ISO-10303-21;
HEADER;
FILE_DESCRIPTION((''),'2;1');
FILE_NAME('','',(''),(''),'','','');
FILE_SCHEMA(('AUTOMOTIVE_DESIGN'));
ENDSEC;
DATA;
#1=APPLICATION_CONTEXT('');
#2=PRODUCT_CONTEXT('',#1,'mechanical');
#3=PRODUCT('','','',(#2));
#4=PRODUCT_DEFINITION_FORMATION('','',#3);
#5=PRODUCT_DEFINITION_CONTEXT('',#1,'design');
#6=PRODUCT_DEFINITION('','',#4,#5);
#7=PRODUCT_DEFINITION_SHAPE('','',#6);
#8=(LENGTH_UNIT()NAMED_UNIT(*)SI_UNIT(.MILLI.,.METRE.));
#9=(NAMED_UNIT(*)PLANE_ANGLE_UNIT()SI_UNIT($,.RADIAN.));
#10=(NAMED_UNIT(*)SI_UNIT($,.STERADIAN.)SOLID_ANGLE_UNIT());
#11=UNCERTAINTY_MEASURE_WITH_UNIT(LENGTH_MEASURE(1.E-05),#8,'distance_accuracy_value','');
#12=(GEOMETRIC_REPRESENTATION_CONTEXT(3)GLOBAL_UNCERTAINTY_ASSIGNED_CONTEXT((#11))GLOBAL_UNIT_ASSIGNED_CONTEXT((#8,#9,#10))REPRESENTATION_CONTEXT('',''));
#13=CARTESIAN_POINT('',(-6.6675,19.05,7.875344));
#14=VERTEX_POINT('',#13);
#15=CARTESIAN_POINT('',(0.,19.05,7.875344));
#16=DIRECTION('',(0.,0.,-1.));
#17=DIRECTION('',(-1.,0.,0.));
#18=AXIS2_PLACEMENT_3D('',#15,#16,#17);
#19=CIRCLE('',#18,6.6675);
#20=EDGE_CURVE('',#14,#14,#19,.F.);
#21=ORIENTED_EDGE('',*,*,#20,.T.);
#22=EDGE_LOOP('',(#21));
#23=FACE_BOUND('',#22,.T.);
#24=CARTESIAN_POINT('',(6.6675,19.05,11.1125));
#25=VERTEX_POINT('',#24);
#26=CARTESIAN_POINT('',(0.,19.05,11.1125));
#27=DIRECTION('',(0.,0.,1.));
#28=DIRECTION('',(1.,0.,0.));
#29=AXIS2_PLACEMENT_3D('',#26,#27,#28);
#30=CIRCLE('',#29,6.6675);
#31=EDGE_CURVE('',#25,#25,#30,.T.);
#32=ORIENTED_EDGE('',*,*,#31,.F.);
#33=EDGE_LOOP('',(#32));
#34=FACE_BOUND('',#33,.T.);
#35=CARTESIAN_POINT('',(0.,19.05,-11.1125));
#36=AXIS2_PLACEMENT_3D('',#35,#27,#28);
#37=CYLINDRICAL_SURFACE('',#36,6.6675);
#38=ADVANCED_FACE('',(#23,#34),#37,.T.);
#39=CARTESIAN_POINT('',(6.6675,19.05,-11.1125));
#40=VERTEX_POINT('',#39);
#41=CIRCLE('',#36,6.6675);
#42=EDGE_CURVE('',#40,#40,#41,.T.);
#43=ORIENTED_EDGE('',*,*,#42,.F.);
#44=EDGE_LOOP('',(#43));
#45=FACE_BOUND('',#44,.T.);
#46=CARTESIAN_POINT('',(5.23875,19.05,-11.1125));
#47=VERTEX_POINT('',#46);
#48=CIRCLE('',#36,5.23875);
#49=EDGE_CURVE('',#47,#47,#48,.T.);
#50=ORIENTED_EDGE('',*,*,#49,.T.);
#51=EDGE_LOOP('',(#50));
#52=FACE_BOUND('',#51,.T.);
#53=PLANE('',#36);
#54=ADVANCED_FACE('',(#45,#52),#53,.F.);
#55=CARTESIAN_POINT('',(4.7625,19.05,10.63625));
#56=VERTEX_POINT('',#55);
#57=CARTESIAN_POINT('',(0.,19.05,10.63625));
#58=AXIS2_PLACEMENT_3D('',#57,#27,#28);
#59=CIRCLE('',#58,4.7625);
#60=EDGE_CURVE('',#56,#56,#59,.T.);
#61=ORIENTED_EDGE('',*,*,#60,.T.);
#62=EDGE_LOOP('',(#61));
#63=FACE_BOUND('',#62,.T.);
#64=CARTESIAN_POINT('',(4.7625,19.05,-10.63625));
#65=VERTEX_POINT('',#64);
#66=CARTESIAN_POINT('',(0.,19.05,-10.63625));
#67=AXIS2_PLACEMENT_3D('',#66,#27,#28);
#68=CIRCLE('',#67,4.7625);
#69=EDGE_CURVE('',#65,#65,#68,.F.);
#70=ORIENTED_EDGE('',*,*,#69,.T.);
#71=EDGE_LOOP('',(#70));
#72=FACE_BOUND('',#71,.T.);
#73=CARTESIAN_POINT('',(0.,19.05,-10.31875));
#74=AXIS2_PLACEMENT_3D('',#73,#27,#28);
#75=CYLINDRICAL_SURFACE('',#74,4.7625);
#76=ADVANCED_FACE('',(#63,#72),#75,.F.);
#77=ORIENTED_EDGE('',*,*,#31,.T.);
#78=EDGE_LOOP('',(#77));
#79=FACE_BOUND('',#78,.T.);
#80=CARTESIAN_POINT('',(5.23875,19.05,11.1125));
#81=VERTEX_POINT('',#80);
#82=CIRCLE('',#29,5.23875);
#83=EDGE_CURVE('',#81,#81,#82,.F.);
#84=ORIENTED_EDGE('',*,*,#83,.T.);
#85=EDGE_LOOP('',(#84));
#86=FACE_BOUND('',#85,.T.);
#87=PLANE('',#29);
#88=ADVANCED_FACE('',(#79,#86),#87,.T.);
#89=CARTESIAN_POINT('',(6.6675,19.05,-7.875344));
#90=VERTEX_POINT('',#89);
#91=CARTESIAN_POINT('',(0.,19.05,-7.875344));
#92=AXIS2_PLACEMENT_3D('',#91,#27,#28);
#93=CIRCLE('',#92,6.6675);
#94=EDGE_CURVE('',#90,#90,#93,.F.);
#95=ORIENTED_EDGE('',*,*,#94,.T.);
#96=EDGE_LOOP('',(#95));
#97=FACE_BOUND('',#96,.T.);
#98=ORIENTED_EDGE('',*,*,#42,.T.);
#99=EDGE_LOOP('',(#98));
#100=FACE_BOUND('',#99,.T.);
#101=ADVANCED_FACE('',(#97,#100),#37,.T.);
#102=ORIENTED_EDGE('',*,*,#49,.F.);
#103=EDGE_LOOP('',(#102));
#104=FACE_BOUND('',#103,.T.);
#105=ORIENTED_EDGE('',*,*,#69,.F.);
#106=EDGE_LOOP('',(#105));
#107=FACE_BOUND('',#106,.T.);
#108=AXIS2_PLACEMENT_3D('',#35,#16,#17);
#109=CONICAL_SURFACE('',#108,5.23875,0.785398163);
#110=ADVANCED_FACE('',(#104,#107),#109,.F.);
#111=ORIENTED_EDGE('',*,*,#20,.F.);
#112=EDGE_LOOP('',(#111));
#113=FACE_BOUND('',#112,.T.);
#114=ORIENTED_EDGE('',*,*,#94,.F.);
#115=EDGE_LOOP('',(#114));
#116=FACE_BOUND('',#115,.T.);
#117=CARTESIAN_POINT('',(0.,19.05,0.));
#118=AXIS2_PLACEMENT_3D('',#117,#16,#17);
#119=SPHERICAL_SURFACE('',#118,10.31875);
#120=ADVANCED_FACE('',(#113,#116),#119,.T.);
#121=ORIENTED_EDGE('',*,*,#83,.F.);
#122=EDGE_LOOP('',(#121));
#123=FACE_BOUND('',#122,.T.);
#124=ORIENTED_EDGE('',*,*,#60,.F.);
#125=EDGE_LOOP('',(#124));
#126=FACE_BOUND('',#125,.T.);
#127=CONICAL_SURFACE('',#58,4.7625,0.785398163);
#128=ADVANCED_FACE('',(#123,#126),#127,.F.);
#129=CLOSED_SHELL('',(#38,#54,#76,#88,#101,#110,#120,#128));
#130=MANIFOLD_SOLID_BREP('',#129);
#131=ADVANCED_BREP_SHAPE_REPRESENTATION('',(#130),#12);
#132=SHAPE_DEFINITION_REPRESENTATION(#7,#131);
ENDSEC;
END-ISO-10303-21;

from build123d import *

# Parameters (mm, degrees)
SKETCH10_R              = 4.7625
CUT_EXTRUDE4_DEPTH      = 11.31875
CUT_EXTRUDE4_DEPTH_BACK = 11.31875
SKETCH12_R              = 6.6675
SKETCH12_R_2            = 4.7625
EXTRUDE1_DEPTH          = 11.1125
EXTRUDE1_DEPTH_BACK     = 11.1125
CHAMFER1_SIZE           = 0.47625


with BuildPart() as part:
    # Sketch7 → Revolve3 (revolve)
    with BuildSketch(Plane.XY):
        with BuildLine():
            Line((0, 29.36875), (0, 8.73125))
            ThreePointArc((0, 8.73125), (10.31875, 19.05), (0, 29.36875))
        make_face()
    revolve(axis=Axis((0, 0, 0), (0, 1, 0)))

    # Sketch10 → Cut-Extrude4 (cut, two sides)
    with BuildSketch(Plane.XY) as cut_extrude4_sk:
        with Locations((0, 19.05)):
            Circle(SKETCH10_R)
    extrude(amount=CUT_EXTRUDE4_DEPTH, mode=Mode.SUBTRACT)
    extrude(cut_extrude4_sk.sketch, amount=-CUT_EXTRUDE4_DEPTH_BACK, mode=Mode.SUBTRACT)

    # Sketch12 → Extrude1 (add, two sides)
    with BuildSketch(Plane.XY) as extrude1_sk:
        with Locations((0, 19.05)):
            Circle(SKETCH12_R)
        with Locations((0, 19.05)):
            Circle(SKETCH12_R_2, mode=Mode.SUBTRACT)
    extrude(amount=EXTRUDE1_DEPTH)
    extrude(extrude1_sk.sketch, amount=-EXTRUDE1_DEPTH_BACK)

    # Chamfer1
    chamfer1_edges = [part.edges().sort_by_distance(p)[0] for p in [
        (-4.7625, 19.05, 11.1125),
        (-4.7625, 19.05, -11.1125),
    ]]
    chamfer(chamfer1_edges, length=CHAMFER1_SIZE)


solid = part.part
